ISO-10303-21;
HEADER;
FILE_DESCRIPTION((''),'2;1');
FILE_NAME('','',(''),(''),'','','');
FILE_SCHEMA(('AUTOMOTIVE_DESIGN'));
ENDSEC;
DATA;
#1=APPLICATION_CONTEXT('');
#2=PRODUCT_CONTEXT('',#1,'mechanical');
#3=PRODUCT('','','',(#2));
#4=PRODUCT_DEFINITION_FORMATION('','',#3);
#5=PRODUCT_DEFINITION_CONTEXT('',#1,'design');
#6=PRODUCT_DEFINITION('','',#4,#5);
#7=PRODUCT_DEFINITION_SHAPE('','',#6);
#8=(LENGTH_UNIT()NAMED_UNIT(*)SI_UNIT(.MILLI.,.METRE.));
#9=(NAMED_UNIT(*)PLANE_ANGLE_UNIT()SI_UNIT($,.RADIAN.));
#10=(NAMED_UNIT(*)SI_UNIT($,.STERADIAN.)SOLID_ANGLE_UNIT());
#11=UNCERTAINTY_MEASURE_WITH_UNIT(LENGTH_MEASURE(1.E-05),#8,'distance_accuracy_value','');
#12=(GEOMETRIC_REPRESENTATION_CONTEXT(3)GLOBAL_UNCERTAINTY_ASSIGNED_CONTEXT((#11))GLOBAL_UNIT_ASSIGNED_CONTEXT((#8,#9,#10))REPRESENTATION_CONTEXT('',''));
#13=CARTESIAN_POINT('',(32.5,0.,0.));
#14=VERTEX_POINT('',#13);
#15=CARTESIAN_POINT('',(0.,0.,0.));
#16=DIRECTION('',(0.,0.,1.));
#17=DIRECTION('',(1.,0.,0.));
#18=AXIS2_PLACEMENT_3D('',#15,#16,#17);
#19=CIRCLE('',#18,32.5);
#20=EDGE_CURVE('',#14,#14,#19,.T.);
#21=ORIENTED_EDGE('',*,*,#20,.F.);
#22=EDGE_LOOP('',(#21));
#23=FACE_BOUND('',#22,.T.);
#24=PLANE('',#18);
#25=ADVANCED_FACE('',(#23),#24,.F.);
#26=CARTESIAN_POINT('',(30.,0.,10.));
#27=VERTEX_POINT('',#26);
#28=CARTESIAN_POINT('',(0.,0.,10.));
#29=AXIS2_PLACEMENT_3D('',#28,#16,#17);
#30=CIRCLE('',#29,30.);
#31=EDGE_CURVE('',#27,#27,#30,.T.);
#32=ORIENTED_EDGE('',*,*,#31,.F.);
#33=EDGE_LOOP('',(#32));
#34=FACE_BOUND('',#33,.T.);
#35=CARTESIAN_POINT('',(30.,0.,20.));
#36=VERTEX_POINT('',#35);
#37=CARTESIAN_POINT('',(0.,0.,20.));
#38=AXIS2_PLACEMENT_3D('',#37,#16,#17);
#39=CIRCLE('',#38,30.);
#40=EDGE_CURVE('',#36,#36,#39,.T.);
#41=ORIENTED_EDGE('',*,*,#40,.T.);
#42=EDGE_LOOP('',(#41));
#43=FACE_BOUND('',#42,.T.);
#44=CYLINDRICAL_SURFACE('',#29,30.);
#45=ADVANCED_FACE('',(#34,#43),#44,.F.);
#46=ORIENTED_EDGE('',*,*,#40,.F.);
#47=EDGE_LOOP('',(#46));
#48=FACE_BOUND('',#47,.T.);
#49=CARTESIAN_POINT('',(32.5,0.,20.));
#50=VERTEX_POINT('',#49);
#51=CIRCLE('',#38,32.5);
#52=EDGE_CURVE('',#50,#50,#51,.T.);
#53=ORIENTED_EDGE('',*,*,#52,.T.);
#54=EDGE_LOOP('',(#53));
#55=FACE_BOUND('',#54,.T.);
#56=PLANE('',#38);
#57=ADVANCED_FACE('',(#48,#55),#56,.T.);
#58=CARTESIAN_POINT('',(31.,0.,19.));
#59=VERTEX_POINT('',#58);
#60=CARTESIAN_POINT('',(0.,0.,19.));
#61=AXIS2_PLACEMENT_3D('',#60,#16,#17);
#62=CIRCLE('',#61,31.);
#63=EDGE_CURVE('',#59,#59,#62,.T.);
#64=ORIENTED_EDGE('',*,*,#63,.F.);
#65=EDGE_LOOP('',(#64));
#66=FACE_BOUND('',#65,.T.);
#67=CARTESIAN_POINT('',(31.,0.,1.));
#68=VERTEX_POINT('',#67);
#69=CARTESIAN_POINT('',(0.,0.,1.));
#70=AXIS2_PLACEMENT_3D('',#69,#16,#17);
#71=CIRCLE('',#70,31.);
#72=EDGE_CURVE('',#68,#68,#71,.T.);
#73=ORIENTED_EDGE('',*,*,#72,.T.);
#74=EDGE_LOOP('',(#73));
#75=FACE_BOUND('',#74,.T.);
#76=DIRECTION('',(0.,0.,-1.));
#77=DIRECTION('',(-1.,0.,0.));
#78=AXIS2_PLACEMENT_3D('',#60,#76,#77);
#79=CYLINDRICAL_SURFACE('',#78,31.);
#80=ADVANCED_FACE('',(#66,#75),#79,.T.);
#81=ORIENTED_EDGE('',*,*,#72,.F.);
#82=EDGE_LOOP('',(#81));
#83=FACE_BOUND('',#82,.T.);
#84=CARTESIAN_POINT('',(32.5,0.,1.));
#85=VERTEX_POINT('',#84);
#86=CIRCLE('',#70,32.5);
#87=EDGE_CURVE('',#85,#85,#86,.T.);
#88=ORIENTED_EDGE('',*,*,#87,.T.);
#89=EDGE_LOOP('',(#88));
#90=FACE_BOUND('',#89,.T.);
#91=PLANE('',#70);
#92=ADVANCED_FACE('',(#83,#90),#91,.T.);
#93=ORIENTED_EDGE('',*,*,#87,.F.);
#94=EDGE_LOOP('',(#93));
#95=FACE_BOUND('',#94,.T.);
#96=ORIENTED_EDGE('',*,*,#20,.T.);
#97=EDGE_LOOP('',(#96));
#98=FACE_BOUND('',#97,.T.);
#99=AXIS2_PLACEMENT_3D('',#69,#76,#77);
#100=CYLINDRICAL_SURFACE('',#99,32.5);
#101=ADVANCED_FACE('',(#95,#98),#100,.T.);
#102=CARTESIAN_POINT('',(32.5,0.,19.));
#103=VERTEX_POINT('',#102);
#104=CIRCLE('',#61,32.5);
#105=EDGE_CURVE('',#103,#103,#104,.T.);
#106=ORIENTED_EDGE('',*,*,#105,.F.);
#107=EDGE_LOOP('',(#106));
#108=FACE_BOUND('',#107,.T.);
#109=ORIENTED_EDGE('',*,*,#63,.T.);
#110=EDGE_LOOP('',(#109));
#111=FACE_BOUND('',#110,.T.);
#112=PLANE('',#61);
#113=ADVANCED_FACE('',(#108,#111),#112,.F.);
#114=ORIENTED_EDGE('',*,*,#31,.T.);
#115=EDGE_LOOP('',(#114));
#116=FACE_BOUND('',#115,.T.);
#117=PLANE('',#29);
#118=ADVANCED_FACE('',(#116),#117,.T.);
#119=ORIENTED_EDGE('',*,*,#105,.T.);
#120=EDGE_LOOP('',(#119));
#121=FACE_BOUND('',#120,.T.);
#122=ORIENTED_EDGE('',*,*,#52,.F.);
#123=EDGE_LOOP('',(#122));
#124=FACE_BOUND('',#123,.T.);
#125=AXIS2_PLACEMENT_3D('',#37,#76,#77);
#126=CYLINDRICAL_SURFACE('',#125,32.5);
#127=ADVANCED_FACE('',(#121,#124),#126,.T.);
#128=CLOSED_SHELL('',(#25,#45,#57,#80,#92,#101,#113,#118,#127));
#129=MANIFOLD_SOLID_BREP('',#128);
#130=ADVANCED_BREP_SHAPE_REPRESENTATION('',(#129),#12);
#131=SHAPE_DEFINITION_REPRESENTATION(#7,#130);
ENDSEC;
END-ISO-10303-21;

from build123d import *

# Parameters (mm, degrees)
ESQUISSE1_R             = 32.5
BOSS_EXTRU_1_DEPTH      = 1
ESQUISSE2_R             = 31
BOSS_EXTRU_2_DEPTH      = 18
ESQUISSE3_R             = 32.5
BOSS_EXTRU_3_DEPTH      = 1
ESQUISSE4_R             = 30
ENL_V_MAT_EXTRU_1_DEPTH = 10


with BuildPart() as part:
    # Esquisse1 → Boss.-Extru.1 (new body)
    with BuildSketch(Plane.XY):
        Circle(ESQUISSE1_R)
    extrude(amount=BOSS_EXTRU_1_DEPTH)

    # Esquisse2 → Boss.-Extru.2 (add)
    with BuildSketch(Plane.XY.offset(1)):
        Circle(ESQUISSE2_R)
    extrude(amount=BOSS_EXTRU_2_DEPTH)

    # Esquisse3 → Boss.-Extru.3 (add)
    with BuildSketch(Plane.XY.offset(19)):
        Circle(ESQUISSE3_R)
    extrude(amount=BOSS_EXTRU_3_DEPTH)

    # Esquisse4 → Enlèv. mat.-Extru.1 (cut)
    with BuildSketch(Plane.XY.offset(20)):
        Circle(ESQUISSE4_R)
    extrude(amount=-ENL_V_MAT_EXTRU_1_DEPTH, mode=Mode.SUBTRACT)


solid = part.part
